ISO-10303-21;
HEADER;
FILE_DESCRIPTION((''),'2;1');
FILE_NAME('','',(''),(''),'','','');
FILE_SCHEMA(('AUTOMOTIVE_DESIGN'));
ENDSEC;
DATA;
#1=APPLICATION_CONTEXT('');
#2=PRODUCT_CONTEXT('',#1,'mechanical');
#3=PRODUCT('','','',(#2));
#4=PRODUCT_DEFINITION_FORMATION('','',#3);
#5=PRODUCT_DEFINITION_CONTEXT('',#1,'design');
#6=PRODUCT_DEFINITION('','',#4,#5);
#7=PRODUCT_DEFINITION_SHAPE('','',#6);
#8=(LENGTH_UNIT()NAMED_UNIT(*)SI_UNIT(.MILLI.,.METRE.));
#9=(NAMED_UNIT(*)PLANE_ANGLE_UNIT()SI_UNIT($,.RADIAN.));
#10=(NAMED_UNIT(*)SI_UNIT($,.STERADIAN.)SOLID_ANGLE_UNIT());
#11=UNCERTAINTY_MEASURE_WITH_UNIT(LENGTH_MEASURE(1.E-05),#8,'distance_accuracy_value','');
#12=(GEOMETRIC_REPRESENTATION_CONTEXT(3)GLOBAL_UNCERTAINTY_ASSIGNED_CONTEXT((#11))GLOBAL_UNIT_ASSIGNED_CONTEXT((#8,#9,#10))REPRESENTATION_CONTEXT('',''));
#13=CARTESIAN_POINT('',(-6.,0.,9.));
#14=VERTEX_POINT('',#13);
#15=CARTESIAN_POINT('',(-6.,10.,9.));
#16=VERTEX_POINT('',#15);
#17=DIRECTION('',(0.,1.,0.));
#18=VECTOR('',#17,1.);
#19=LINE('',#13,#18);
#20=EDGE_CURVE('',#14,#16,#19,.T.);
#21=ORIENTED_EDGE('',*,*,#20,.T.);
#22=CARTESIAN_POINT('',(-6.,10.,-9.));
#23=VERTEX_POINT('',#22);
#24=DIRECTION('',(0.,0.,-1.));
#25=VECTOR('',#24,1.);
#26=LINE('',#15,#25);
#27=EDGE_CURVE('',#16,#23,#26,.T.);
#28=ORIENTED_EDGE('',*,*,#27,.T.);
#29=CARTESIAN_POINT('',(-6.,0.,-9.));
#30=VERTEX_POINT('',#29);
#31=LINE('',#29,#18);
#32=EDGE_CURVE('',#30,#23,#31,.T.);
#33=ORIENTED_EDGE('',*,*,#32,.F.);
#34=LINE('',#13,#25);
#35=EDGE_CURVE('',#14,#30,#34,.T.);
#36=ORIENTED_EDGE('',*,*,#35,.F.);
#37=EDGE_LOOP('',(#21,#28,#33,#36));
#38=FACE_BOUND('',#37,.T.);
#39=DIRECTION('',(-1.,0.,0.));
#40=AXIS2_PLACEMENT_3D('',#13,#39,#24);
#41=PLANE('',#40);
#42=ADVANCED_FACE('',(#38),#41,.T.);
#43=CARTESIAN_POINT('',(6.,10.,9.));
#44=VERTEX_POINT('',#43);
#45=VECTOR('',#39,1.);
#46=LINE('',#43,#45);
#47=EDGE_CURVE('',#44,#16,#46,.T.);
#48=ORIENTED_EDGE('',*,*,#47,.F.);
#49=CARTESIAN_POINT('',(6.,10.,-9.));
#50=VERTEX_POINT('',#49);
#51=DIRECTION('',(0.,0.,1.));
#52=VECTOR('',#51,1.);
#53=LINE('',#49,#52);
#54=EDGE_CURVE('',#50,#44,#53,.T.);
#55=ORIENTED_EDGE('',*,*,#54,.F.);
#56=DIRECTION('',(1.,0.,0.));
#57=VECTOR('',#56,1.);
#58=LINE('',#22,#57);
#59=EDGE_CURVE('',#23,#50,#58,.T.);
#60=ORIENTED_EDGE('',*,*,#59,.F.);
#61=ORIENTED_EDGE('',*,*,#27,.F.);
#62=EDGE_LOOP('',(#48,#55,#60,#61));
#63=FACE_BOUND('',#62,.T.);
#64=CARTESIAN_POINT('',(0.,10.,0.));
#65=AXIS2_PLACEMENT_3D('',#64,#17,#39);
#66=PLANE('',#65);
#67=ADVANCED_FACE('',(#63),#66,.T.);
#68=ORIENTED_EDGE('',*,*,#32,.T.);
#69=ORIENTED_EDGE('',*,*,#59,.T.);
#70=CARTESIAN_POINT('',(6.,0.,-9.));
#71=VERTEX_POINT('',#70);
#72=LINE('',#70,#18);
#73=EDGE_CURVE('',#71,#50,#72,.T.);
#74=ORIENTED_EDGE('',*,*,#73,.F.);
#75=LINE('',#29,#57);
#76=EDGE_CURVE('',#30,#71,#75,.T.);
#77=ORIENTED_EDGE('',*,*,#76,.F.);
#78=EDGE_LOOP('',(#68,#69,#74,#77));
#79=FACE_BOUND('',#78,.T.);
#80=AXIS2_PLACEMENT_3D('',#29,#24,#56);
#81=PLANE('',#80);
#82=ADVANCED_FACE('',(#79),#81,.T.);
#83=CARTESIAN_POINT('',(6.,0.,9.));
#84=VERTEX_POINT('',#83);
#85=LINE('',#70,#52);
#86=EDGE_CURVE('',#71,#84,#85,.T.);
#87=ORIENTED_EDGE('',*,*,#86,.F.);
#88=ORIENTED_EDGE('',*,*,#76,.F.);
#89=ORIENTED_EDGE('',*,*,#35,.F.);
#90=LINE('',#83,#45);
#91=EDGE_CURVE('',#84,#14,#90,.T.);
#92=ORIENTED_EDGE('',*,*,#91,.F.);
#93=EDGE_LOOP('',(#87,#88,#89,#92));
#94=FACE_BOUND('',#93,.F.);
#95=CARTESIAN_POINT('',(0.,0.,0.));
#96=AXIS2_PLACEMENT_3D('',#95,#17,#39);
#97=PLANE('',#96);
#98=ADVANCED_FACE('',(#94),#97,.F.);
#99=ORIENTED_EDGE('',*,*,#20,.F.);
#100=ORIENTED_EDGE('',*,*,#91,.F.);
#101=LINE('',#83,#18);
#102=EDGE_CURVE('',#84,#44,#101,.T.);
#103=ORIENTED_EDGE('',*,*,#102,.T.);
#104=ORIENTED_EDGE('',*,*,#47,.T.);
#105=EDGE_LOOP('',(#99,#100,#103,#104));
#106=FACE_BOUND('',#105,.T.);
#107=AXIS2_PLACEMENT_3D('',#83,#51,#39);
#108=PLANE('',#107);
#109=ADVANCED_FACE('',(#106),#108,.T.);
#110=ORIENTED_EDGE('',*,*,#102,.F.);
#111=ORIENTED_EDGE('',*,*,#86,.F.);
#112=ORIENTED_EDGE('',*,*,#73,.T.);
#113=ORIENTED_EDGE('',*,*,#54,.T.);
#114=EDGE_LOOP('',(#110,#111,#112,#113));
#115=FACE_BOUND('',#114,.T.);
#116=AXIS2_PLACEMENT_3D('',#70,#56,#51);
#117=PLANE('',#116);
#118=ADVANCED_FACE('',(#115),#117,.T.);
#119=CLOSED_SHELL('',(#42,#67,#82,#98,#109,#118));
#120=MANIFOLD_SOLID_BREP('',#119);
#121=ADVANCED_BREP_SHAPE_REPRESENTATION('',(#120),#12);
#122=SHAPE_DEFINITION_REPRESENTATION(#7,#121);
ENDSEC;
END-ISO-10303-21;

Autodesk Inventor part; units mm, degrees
ref_plane "YZ Plane" through (0, 0, 0) normal (1, 0, 0) x (0, 1, 0)
ref_plane "XZ Plane" through (0, 0, 0) normal (0, 1, 0) x (-1, 0, 0)
ref_plane "XY Plane" through (0, 0, 0) normal (0, 0, 1) x (1, 0, 0)
sketch "スケッチ1" plane through (0, 0, 0) normal (0, 1, 0) x (-1, 0, 0)
  line L0 (6, -9) -> (-6, -9)
  line L1 (-6, -9) -> (-6, 9)
  line L2 (-6, 9) -> (6, 9)
  line L3 (6, 9) -> (6, -9)
  line L4 (6, -9) -> (-6, 9) construction
  line L5 (-6, -9) -> (6, 9) construction
  point P0 (0, 0)
  dimension "d0" = 12
  dimension "d1" = 18
extrude "押し出し1" add sketch "スケッチ1" along normal blind 10
properties part number "waist"
